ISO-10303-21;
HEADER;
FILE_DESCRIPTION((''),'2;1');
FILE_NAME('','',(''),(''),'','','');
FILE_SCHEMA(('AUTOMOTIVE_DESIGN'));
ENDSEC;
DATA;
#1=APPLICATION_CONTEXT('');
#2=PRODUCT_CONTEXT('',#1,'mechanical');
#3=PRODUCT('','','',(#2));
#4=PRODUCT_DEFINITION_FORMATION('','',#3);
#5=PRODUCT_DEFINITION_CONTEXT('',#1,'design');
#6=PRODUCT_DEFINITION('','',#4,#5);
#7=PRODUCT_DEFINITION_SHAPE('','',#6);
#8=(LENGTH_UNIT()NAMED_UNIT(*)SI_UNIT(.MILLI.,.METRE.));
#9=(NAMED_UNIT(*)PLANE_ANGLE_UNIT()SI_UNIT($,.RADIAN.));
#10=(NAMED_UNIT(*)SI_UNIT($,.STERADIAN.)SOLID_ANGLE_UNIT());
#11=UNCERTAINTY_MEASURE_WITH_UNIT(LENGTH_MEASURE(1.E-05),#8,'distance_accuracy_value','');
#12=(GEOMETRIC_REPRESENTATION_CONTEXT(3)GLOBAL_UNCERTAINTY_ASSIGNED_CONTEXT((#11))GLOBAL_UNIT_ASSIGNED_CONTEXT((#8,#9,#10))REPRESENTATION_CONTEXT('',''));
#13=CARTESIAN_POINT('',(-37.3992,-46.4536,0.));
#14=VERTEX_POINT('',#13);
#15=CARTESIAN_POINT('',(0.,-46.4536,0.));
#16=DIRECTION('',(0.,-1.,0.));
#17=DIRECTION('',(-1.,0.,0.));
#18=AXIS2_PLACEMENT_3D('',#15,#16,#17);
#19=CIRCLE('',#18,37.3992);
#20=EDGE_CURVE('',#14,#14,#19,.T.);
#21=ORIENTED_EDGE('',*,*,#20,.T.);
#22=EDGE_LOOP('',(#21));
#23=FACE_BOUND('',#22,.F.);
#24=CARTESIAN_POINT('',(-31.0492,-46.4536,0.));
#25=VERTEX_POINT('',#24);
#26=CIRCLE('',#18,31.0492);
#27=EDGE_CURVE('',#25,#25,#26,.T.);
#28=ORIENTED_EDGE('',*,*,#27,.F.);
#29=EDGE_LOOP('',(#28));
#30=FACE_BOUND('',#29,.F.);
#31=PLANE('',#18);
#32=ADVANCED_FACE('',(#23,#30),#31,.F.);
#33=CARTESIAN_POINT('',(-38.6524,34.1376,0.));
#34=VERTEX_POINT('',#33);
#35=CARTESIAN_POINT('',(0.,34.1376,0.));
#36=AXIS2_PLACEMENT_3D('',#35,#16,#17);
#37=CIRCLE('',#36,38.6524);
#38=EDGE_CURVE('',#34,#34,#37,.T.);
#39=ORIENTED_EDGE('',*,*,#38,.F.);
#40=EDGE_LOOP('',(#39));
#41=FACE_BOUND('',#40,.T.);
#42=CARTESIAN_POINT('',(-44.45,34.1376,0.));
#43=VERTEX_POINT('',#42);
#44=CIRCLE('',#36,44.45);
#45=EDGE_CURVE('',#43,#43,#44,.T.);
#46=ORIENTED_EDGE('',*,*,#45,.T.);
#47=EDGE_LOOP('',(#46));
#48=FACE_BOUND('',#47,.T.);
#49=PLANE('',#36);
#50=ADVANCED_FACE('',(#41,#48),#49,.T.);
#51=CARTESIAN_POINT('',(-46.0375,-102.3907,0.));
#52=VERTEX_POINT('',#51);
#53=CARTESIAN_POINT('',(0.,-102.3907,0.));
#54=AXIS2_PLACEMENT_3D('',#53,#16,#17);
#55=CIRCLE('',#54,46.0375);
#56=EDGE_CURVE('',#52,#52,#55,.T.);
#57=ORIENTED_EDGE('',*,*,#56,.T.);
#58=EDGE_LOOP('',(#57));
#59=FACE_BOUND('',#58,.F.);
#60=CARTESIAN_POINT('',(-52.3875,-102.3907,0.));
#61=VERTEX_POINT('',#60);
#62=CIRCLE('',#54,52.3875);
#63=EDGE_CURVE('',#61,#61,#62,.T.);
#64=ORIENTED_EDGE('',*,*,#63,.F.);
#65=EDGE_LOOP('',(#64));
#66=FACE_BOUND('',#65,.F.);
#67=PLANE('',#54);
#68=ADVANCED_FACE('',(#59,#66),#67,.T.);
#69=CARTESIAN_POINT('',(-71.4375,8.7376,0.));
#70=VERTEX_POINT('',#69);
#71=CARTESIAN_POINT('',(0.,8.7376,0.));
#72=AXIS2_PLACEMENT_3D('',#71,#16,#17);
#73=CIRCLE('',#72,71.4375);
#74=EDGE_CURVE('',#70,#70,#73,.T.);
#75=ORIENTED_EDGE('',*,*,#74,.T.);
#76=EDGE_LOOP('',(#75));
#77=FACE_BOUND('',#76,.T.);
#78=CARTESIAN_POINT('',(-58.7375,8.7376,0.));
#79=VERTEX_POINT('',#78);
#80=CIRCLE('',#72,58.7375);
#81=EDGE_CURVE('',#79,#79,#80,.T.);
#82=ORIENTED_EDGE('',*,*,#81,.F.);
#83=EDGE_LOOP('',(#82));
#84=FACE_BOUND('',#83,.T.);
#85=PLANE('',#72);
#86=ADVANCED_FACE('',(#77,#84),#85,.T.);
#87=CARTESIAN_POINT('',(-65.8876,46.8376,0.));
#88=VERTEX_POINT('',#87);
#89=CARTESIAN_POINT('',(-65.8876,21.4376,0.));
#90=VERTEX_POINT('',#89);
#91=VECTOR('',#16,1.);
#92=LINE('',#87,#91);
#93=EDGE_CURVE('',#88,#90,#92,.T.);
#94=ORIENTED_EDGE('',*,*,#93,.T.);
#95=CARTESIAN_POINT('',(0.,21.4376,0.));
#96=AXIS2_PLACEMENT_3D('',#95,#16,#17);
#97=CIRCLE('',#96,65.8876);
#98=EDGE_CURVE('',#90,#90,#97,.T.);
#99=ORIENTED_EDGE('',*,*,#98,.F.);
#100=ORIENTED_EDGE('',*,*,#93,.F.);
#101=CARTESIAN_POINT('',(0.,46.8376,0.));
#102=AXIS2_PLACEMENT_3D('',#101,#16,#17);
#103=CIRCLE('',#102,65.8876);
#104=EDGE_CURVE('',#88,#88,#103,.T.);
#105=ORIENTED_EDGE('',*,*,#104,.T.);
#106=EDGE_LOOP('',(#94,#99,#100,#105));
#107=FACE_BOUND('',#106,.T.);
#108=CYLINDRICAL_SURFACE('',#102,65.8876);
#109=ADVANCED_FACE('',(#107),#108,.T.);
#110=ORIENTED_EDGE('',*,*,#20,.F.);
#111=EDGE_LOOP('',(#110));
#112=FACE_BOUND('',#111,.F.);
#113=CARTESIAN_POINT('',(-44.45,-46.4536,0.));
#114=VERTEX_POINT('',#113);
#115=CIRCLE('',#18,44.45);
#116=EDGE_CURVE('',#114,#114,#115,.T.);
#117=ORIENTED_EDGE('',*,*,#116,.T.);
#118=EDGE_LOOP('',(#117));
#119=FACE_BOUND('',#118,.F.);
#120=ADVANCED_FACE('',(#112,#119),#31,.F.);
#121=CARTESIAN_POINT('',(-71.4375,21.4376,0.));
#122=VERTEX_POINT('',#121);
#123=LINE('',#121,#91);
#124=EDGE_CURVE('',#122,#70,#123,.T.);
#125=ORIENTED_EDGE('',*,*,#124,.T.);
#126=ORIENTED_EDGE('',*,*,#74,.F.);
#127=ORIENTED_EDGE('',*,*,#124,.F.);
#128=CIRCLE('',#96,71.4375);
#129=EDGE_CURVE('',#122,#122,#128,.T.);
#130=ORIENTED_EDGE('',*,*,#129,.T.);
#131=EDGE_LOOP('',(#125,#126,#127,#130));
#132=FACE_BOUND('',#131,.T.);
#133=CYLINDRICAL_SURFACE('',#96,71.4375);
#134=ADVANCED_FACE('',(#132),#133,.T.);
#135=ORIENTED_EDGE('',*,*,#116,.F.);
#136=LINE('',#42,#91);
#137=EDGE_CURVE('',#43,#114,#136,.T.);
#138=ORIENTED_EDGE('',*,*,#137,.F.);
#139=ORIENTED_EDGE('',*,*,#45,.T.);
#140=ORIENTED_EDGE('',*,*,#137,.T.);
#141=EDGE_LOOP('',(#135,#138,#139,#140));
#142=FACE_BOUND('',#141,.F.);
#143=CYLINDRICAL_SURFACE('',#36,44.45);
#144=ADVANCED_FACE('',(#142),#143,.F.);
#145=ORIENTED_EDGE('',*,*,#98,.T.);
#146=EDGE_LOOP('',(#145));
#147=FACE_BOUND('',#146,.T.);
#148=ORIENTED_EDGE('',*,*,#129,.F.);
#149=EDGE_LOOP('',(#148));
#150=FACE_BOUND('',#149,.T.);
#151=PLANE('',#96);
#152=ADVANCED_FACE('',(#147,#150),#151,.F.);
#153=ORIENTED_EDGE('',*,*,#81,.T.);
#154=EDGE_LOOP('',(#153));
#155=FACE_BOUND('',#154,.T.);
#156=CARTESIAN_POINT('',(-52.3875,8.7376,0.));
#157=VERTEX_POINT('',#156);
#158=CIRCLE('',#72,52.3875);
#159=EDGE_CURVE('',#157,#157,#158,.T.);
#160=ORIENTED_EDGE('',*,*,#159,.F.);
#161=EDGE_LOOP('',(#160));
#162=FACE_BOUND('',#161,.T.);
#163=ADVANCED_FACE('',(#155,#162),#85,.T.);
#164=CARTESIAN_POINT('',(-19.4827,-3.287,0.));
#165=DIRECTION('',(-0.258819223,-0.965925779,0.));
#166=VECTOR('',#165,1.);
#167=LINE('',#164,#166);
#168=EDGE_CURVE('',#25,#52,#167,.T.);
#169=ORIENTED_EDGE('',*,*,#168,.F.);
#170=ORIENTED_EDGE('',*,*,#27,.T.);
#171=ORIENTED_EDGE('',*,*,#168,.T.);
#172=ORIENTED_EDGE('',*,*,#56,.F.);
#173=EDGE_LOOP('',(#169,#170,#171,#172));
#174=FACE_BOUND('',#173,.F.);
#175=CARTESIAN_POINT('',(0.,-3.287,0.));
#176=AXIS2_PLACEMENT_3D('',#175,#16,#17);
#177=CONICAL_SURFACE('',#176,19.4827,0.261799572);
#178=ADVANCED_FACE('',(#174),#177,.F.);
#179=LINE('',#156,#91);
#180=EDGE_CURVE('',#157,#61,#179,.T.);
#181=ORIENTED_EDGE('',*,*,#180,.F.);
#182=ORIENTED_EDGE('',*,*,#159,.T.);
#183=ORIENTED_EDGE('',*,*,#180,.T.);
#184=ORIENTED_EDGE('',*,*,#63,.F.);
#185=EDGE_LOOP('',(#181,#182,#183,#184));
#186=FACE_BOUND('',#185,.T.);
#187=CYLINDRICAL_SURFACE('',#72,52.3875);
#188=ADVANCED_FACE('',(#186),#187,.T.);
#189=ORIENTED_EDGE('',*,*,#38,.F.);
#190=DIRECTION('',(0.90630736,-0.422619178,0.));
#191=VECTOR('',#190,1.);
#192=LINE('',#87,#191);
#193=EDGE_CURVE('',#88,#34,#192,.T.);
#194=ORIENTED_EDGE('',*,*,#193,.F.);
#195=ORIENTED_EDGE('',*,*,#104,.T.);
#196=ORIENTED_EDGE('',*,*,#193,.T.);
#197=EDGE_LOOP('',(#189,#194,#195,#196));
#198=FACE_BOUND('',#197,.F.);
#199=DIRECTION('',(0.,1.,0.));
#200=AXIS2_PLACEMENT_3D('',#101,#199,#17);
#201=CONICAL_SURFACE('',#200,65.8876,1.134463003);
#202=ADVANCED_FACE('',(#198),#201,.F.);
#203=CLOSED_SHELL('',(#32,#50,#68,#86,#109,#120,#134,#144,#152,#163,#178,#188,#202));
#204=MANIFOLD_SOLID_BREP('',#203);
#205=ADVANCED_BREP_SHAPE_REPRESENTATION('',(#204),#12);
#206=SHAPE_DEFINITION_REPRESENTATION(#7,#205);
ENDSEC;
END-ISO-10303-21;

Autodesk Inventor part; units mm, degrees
ref_plane "YZ Plane" through (0, 0, 0) normal (1, 0, 0) x (0, 1, 0)
ref_plane "XZ Plane" through (0, 0, 0) normal (0, 1, 0) x (-1, 0, 0)
ref_plane "XY Plane" through (0, 0, 0) normal (0, 0, 1) x (1, 0, 0)
sketch "Sketch1" plane through (0, 0, 0) normal (0, 0, 1) x (1, 0, 0)
  arc A0 (-19.4827, -3.287) -> (-19.05, 0) centre (-31.75, 0) ccw
  line L0 (-19.4827, -3.287) -> (-58.7375, -149.7878)
  line L1 (-65.8876, 46.8376) -> (-65.8876, 21.4376)
  line L2 (-65.8876, 21.4376) -> (-71.4375, 21.4376)
  line L3 (-44.45, 34.1376) -> (-38.6524, 34.1376)
  line L4 (-44.45, 34.1376) -> (0, 34.1376) construction
  line L5 (-37.3992, -46.4536) -> (-31.0492, -46.4536)
  line L6 (-71.4375, 21.4376) -> (-71.4375, 8.7376)
  line L7 (-71.4375, 8.7376) -> (-58.7375, 8.7376)
  line L8 (-58.7375, 8.7376) -> (-52.3875, 8.7376)
  line L9 (-52.3875, 8.7376) -> (-52.3875, -102.3907)
  line L10 (-71.4375, 8.7376) -> (-71.4375, -0.7874)
  line L11 (-71.4375, 8.7376) -> (-61.9125, 8.7376) construction
  line L12 (-71.4375, -0.7874) -> (-58.7375, -0.7874)
  line L13 (-58.7375, -0.7874) -> (-58.7375, -51.5874)
  line L14 (-58.7375, -51.5874) -> (-71.4375, -51.5874)
  line L15 (-71.4375, -0.7874) -> (-65.0875, -0.7874)
  line L16 (-65.0875, -0.7874) -> (-65.0875, -6.731)
  line L17 (-65.0875, -6.731) -> (-71.4375, -6.731)
  line L18 (-71.4375, 21.4376) -> (-71.4375, -0.7874)
  line L19 (-71.4375, -6.731) -> (-71.4375, -51.5874)
  line L20 (-58.7375, -51.5874) -> (-58.7375, -126.0892)
  line L21 (-58.7375, -51.5874) -> (0, -51.5874) construction
  line L22 (-46.0375, -102.3907) -> (-52.3875, -102.3907)
  line L23 (-65.0875, -51.5907) -> (-58.7375, -51.5907)
  line L24 (-58.7375, -149.7878) -> (-61.9125, -161.637)
  line L25 (-58.7375, -149.7878) -> (-34.203, -149.7878) construction
  line L26 (-65.0875, -161.637) -> (-61.9125, -161.637)
  line L27 (-58.7375, -126.0892) -> (-52.3875, -126.0892)
  line L28 (0, 34.1376) -> (0, 0)
  line L29 (-65.0875, -100.6892) -> (-65.0875, -161.637)
  line L30 (-58.7375, -51.5907) -> (-61.9125, -51.5907)
  line L31 (-65.0875, -100.6892) -> (-58.7375, -100.6892)
  line L32 (-65.8876, 46.8376) -> (-18.3062, 46.8376) construction
  line L33 (-65.8876, 46.8376) -> (-14.7047, 46.8376) construction
  line L34 (-65.8876, 46.8376) -> (-33.5957, 31.7796)
  line L35 (-65.8876, 46.8376) -> (-30.2574, 46.8376) construction
  arc A1 (-19.05, 0) -> (-33.5957, 31.7796) centre (-61.0391, 0) ccw
  line L36 (-44.45, 34.1376) -> (-44.45, -46.4536)
  line L37 (-44.45, 34.1376) -> (36.1412, 34.1376) construction
  line L38 (-44.45, -46.4536) -> (-37.3992, -46.4536)
  dimension "d86" = 19.05
  dimension "d87" = 25.4
  dimension "d88" = 5.5499
  dimension "d89" = 65.8876
  dimension "d90" = 12.7
  dimension "d91" = 12.7
  dimension "d92" = 44.45
  dimension "d93" = 6.35
  dimension "d94" = 105
  dimension "d95" = 12.7
  dimension "d96" = 12.7
  dimension "d97" = 6.35
  dimension "d98" = 9.525
  dimension "d99" = 50.8
  dimension "d100" = 12.7
  dimension "d101" = 6.35
  dimension "d102" = 5.9436
  dimension "d103" = 6.35
  dimension "d104" = 50.8
  dimension "d105" = 6.35
  dimension "d106" = 105
  dimension "d107" = 3.175
  dimension "d108" = 6.35
  dimension "d109" = 60.9478
  dimension "d110" = 3.175
  dimension "d111" = 6.35
  dimension "d112" = 25.4
  dimension "d113" = 25
  dimension "d114" = 41.9891
  dimension "d115" = 32.2919
  dimension "d116" = 90
  dimension "d117" = 80.5912
revolve "Revolution1" add sketch "Sketch1" angle 360 about axis through (0, 34.1376, 0) along (0, -1, 0) contours L0 L22 L9 L8 L7 L6 L2 L1 L34 L3 L36 L38 L5
properties part number "Phenolic" material "Phenolic Resin"
